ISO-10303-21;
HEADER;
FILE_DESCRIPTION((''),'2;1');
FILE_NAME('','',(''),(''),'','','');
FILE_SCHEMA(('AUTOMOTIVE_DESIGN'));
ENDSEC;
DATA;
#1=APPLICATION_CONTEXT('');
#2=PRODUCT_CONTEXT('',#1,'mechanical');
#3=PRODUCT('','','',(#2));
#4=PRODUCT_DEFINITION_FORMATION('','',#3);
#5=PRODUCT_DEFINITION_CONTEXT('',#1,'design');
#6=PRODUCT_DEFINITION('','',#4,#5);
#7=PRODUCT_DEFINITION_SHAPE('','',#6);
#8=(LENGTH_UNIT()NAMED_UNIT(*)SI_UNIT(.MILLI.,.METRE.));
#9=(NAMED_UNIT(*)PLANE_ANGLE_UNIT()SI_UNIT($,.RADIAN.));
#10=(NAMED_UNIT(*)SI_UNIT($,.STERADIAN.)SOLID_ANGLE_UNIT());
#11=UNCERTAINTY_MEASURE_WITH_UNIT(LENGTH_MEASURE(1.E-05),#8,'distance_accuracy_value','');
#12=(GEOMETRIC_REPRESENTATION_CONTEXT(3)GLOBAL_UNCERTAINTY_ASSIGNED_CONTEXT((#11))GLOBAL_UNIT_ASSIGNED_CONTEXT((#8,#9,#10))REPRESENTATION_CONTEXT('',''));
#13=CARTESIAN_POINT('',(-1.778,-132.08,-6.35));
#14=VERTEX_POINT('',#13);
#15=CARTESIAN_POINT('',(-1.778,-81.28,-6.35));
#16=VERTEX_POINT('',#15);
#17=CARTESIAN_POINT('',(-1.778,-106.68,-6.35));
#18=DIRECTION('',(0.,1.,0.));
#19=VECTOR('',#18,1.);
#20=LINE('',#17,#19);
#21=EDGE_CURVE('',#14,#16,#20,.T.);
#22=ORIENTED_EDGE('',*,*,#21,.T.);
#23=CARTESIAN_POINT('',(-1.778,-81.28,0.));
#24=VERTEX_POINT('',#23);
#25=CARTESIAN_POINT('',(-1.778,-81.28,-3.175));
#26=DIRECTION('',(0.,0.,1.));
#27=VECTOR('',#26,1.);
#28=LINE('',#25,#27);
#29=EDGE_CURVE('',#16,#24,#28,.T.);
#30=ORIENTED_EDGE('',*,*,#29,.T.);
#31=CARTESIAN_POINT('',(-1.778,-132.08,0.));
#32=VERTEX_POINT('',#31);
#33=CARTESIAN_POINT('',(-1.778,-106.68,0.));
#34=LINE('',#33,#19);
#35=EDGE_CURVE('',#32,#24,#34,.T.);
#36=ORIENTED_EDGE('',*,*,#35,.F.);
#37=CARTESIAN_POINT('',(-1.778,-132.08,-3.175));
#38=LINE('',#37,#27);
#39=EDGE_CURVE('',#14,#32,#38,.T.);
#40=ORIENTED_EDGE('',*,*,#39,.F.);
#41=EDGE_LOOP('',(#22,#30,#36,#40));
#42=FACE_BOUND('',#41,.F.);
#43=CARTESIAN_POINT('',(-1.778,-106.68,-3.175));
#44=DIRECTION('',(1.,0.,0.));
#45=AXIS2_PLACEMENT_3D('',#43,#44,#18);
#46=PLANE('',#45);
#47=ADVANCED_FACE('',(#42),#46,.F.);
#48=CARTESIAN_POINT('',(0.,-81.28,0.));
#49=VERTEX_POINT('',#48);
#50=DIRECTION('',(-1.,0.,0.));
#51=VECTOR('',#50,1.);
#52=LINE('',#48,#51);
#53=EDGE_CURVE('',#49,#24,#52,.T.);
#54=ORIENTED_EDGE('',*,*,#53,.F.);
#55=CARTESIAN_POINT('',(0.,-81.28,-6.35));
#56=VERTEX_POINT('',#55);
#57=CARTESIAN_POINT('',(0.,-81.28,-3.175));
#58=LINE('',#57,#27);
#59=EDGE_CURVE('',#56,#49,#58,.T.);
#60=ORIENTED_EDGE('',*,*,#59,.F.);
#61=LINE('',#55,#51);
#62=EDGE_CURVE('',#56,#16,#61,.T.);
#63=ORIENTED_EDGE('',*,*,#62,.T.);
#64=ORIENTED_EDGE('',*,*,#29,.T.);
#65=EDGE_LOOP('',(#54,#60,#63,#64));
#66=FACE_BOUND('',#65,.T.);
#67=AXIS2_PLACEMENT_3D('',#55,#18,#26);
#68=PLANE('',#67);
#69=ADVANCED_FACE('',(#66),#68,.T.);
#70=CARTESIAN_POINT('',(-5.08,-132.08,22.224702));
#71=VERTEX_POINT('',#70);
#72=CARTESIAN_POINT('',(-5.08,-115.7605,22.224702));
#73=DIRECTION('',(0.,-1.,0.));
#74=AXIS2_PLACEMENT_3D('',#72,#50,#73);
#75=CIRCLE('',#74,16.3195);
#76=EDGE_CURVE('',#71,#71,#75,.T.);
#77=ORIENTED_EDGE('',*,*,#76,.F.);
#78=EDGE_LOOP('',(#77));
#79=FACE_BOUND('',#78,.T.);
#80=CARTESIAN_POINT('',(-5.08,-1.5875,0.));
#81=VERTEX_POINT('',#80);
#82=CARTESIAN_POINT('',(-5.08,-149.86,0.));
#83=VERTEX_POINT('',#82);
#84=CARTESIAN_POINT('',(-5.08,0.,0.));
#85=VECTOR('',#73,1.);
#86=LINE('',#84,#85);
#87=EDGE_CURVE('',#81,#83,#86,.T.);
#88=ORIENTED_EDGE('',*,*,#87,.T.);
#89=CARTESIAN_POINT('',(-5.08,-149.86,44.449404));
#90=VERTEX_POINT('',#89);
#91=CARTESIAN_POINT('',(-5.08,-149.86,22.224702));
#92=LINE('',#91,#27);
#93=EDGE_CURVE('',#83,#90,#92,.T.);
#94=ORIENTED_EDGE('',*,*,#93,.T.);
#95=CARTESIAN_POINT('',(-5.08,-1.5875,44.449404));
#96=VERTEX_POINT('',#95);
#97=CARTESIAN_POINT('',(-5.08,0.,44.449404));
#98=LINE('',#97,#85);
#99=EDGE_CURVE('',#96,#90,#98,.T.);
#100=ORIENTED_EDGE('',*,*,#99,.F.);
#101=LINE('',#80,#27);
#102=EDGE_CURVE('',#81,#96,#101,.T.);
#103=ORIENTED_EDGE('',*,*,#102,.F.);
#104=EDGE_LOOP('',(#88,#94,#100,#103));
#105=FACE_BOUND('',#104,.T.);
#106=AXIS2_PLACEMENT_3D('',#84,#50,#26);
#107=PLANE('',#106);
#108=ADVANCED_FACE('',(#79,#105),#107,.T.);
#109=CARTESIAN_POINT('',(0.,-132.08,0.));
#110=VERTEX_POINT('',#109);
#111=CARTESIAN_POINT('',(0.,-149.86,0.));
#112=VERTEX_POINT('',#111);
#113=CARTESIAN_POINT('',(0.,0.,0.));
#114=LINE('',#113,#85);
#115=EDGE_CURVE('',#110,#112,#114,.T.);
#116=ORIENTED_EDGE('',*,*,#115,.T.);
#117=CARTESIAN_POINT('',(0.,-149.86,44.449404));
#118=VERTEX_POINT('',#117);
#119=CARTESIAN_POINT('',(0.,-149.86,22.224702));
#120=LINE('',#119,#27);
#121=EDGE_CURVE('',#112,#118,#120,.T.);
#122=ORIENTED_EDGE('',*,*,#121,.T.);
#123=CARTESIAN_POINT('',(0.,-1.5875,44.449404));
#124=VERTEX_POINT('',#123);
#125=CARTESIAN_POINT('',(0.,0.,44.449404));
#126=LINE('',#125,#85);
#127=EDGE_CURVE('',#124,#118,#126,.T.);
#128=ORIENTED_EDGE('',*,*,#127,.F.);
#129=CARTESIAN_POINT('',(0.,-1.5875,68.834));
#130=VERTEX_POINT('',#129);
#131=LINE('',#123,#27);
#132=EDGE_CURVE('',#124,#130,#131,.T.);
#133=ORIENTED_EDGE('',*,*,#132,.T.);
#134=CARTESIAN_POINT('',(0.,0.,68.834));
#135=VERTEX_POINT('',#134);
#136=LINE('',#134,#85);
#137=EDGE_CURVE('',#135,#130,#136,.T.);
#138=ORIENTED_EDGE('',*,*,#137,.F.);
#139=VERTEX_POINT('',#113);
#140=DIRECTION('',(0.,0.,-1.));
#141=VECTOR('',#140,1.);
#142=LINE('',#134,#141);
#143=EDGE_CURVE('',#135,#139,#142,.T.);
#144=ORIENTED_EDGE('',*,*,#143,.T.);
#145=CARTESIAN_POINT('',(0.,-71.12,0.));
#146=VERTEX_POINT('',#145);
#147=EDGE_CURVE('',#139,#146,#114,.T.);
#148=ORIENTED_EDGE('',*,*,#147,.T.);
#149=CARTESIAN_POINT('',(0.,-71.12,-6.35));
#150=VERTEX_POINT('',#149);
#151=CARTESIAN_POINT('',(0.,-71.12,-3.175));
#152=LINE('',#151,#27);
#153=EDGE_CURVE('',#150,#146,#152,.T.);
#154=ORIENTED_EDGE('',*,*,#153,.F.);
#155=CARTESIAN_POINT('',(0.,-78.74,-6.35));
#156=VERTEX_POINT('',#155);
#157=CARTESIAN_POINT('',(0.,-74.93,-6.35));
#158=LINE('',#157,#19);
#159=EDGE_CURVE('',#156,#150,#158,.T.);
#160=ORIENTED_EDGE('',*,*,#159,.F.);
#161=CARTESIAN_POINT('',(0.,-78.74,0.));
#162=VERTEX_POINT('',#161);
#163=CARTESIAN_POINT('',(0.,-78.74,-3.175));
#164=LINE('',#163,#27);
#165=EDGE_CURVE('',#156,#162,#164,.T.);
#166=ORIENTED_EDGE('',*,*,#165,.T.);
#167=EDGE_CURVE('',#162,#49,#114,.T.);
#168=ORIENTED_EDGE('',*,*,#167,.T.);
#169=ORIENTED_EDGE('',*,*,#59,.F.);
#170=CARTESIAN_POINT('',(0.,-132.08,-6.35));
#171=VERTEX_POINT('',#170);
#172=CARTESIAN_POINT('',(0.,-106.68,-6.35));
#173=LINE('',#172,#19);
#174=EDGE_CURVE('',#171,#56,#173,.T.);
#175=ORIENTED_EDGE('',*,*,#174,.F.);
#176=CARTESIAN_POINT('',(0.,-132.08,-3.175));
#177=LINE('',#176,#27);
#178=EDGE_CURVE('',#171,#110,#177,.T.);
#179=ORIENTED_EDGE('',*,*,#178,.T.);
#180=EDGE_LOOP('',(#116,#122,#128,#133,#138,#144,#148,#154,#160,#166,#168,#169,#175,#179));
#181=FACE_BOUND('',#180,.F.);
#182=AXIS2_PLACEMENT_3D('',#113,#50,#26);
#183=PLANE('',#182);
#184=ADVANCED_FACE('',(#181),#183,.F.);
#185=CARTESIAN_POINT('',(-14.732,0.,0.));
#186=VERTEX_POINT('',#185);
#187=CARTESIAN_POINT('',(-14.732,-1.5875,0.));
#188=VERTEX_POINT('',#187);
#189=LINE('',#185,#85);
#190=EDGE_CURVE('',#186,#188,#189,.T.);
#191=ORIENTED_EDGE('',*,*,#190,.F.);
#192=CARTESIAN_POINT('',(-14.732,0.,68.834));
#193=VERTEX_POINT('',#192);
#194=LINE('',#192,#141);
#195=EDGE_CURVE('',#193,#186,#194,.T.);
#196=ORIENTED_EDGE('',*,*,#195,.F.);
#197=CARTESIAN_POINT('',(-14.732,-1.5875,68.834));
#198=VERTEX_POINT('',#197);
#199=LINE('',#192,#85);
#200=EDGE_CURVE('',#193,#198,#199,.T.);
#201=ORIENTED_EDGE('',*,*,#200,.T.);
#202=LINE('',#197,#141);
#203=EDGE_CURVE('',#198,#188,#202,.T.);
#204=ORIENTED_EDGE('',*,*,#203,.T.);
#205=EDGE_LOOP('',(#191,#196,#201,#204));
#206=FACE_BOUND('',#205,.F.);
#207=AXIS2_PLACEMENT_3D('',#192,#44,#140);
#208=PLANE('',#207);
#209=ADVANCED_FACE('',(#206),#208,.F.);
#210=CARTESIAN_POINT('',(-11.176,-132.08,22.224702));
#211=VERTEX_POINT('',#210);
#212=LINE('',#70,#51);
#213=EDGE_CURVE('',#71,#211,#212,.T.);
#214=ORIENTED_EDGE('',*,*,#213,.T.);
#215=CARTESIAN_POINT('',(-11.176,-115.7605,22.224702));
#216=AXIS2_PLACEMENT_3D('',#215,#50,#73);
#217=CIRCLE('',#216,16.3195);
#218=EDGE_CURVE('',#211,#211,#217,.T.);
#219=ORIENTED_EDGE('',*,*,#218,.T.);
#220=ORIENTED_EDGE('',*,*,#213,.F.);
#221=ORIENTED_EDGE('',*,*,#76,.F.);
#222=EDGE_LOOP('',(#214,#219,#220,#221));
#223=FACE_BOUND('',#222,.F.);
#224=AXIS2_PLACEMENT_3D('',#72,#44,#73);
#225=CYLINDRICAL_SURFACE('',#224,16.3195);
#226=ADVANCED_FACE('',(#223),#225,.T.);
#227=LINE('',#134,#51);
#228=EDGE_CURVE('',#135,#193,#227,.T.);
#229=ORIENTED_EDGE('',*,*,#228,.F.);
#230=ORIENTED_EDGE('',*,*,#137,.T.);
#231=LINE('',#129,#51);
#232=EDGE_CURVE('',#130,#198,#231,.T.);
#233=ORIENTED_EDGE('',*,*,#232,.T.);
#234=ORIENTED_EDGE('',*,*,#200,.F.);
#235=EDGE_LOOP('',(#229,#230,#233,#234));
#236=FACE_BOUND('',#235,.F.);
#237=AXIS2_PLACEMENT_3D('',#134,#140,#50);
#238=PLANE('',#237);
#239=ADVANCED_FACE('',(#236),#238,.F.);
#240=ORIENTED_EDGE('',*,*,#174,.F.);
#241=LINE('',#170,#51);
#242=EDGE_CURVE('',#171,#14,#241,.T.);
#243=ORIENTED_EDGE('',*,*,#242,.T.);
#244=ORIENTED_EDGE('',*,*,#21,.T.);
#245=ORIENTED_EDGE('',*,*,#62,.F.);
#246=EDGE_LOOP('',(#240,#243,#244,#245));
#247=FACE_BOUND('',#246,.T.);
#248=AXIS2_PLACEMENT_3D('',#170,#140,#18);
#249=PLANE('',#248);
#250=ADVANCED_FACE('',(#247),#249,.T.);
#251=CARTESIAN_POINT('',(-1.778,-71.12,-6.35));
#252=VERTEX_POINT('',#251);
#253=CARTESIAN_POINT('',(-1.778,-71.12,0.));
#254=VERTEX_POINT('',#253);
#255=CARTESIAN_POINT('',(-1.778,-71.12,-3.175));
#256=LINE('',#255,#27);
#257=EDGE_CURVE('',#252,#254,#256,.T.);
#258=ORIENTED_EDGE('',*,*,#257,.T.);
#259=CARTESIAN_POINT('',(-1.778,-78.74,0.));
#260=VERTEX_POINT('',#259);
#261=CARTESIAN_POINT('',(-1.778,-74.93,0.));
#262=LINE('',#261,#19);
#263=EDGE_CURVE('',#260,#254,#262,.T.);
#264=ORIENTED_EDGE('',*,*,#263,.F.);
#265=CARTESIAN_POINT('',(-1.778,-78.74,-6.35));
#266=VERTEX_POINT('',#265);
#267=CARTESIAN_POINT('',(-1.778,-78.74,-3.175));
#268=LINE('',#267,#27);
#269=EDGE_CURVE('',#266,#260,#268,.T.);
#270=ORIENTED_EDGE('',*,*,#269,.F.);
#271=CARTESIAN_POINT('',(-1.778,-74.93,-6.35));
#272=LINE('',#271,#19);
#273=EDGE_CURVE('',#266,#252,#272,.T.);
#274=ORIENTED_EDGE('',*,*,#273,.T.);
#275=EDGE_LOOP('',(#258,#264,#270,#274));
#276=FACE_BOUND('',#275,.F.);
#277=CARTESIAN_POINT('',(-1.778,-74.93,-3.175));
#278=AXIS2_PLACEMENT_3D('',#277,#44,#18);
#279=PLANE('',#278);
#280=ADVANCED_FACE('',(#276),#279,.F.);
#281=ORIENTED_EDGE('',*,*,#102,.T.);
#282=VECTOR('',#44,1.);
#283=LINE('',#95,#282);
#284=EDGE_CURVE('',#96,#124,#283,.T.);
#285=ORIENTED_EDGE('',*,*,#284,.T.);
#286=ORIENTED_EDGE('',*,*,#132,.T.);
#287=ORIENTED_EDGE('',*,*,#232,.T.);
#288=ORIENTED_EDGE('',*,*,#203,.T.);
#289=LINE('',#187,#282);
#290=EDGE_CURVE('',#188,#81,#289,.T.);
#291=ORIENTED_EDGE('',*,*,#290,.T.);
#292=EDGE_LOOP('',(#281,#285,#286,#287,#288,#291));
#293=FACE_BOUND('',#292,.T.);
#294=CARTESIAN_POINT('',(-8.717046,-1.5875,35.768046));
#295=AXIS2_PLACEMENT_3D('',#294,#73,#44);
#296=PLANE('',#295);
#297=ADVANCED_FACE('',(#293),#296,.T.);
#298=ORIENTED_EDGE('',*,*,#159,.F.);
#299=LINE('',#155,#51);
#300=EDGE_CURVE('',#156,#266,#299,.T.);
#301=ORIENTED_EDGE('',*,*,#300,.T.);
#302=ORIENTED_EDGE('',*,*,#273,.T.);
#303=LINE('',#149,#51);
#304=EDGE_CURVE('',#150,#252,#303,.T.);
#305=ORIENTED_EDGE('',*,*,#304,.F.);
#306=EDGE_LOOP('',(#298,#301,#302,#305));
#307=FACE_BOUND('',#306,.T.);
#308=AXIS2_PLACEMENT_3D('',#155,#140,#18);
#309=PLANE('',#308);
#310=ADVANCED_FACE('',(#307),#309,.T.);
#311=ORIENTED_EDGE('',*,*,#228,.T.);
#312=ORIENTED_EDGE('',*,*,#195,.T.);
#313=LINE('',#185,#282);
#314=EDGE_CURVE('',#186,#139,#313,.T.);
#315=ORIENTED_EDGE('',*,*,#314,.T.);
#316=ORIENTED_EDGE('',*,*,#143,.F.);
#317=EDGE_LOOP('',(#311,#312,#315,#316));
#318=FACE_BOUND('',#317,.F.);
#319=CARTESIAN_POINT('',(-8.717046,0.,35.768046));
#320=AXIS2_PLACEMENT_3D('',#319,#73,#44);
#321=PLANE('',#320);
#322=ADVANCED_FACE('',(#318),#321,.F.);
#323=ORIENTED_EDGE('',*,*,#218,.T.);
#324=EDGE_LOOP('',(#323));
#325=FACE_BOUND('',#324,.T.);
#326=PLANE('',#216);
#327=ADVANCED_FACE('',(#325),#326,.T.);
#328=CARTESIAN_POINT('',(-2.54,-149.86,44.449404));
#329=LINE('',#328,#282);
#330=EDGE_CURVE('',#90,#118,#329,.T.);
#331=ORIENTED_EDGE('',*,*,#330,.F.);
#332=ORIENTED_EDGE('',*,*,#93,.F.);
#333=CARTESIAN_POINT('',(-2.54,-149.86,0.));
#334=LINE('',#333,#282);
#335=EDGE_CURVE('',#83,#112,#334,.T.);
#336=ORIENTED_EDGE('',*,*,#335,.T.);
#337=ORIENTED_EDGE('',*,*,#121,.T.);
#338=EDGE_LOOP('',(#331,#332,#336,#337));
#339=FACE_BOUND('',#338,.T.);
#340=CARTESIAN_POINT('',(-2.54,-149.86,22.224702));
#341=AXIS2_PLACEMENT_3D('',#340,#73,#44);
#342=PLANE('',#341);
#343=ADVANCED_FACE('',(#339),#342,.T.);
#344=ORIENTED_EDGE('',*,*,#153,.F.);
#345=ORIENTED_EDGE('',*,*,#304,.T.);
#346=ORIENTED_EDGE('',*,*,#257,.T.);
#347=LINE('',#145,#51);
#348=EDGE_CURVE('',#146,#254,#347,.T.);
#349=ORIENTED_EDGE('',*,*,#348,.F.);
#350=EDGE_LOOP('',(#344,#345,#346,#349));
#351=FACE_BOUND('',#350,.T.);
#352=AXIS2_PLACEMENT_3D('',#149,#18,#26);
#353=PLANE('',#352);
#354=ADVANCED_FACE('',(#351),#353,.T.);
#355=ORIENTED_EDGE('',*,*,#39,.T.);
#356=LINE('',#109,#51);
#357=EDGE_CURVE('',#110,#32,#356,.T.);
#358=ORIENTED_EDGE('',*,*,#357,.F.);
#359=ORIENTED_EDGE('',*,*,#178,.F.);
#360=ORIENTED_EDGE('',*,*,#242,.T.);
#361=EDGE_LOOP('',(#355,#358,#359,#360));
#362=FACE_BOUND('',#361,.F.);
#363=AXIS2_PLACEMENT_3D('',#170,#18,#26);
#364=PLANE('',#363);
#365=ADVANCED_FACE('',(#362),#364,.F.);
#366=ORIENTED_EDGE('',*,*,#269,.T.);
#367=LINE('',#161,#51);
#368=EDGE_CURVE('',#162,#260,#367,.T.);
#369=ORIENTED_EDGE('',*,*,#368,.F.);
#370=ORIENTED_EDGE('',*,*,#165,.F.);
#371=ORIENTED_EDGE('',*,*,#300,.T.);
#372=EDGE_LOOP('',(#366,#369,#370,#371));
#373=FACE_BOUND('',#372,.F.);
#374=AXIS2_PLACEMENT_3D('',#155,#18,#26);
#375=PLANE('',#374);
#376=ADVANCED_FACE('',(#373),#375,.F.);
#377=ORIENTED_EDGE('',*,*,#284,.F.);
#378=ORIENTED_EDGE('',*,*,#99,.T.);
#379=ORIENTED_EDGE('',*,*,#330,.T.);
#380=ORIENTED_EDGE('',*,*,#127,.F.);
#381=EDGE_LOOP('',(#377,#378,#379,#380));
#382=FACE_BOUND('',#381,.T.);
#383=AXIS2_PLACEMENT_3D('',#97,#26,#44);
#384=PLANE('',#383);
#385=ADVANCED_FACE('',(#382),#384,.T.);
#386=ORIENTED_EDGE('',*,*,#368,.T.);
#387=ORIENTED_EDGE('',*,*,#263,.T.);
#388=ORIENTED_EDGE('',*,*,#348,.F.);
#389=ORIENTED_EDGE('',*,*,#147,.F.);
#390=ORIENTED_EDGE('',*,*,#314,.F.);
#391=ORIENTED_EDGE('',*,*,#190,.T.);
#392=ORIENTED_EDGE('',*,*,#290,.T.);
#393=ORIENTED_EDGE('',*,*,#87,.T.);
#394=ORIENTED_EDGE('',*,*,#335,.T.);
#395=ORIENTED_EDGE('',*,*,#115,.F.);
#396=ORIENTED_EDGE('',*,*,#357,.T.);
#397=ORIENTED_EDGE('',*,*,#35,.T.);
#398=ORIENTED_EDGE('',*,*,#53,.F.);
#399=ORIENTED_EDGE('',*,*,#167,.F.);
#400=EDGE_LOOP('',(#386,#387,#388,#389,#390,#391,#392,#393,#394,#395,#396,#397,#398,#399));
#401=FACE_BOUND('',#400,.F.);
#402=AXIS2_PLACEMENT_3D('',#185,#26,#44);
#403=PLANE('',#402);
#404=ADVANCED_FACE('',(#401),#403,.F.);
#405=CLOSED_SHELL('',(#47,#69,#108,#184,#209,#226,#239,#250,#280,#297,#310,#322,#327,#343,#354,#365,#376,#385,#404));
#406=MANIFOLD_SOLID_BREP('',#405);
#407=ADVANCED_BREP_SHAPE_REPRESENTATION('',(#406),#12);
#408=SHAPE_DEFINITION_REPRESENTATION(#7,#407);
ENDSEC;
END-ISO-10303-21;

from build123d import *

# Parameters (mm, degrees)
F0_W     = 5.08
F0_H     = 44.449404
F1_DEPTH = 149.86
F2_DEPTH = 1.5875
F3_W     = 7.62
F3_H     = 6.35
F3_W_2   = 50.8
F4_DEPTH = 1.778
F5_R     = 16.3195
F6_DEPTH = 6.096


with BuildPart() as f1:
    # F0 (on Front) → F1 (new body)
    with BuildSketch(Plane.XZ):
        with Locations((-2.54, 22.224702)):
            Rectangle(F0_W, F0_H)
    extrude(amount=F1_DEPTH)

    # F0 (on Front) → F2 (join)
    with BuildSketch(Plane.XZ):
        Polygon((-14.732, 0), (-5.08, 0), (-5.08, 44.449404), (0, 44.449404), (0, 68.834), (-14.732, 68.834), align=None)
    extrude(amount=F2_DEPTH)

    # F3 (on face) → F4 (join)
    with BuildSketch(Plane.YZ):
        with Locations((-74.93, -3.175)):
            Rectangle(F3_W, F3_H)
        with Locations((-106.68, -3.175)):
            Rectangle(F3_W_2, F3_H)
    extrude(amount=-F4_DEPTH)

    # F5 (on face) → F6 (join)
    with BuildSketch(Plane(origin=(-5.08, 0, 0), x_dir=(0, -1, 0), z_dir=(-1, 0, 0))):
        with Locations((115.7605, 22.224702)):
            Circle(F5_R)
    extrude(amount=F6_DEPTH)


solid = f1.part
